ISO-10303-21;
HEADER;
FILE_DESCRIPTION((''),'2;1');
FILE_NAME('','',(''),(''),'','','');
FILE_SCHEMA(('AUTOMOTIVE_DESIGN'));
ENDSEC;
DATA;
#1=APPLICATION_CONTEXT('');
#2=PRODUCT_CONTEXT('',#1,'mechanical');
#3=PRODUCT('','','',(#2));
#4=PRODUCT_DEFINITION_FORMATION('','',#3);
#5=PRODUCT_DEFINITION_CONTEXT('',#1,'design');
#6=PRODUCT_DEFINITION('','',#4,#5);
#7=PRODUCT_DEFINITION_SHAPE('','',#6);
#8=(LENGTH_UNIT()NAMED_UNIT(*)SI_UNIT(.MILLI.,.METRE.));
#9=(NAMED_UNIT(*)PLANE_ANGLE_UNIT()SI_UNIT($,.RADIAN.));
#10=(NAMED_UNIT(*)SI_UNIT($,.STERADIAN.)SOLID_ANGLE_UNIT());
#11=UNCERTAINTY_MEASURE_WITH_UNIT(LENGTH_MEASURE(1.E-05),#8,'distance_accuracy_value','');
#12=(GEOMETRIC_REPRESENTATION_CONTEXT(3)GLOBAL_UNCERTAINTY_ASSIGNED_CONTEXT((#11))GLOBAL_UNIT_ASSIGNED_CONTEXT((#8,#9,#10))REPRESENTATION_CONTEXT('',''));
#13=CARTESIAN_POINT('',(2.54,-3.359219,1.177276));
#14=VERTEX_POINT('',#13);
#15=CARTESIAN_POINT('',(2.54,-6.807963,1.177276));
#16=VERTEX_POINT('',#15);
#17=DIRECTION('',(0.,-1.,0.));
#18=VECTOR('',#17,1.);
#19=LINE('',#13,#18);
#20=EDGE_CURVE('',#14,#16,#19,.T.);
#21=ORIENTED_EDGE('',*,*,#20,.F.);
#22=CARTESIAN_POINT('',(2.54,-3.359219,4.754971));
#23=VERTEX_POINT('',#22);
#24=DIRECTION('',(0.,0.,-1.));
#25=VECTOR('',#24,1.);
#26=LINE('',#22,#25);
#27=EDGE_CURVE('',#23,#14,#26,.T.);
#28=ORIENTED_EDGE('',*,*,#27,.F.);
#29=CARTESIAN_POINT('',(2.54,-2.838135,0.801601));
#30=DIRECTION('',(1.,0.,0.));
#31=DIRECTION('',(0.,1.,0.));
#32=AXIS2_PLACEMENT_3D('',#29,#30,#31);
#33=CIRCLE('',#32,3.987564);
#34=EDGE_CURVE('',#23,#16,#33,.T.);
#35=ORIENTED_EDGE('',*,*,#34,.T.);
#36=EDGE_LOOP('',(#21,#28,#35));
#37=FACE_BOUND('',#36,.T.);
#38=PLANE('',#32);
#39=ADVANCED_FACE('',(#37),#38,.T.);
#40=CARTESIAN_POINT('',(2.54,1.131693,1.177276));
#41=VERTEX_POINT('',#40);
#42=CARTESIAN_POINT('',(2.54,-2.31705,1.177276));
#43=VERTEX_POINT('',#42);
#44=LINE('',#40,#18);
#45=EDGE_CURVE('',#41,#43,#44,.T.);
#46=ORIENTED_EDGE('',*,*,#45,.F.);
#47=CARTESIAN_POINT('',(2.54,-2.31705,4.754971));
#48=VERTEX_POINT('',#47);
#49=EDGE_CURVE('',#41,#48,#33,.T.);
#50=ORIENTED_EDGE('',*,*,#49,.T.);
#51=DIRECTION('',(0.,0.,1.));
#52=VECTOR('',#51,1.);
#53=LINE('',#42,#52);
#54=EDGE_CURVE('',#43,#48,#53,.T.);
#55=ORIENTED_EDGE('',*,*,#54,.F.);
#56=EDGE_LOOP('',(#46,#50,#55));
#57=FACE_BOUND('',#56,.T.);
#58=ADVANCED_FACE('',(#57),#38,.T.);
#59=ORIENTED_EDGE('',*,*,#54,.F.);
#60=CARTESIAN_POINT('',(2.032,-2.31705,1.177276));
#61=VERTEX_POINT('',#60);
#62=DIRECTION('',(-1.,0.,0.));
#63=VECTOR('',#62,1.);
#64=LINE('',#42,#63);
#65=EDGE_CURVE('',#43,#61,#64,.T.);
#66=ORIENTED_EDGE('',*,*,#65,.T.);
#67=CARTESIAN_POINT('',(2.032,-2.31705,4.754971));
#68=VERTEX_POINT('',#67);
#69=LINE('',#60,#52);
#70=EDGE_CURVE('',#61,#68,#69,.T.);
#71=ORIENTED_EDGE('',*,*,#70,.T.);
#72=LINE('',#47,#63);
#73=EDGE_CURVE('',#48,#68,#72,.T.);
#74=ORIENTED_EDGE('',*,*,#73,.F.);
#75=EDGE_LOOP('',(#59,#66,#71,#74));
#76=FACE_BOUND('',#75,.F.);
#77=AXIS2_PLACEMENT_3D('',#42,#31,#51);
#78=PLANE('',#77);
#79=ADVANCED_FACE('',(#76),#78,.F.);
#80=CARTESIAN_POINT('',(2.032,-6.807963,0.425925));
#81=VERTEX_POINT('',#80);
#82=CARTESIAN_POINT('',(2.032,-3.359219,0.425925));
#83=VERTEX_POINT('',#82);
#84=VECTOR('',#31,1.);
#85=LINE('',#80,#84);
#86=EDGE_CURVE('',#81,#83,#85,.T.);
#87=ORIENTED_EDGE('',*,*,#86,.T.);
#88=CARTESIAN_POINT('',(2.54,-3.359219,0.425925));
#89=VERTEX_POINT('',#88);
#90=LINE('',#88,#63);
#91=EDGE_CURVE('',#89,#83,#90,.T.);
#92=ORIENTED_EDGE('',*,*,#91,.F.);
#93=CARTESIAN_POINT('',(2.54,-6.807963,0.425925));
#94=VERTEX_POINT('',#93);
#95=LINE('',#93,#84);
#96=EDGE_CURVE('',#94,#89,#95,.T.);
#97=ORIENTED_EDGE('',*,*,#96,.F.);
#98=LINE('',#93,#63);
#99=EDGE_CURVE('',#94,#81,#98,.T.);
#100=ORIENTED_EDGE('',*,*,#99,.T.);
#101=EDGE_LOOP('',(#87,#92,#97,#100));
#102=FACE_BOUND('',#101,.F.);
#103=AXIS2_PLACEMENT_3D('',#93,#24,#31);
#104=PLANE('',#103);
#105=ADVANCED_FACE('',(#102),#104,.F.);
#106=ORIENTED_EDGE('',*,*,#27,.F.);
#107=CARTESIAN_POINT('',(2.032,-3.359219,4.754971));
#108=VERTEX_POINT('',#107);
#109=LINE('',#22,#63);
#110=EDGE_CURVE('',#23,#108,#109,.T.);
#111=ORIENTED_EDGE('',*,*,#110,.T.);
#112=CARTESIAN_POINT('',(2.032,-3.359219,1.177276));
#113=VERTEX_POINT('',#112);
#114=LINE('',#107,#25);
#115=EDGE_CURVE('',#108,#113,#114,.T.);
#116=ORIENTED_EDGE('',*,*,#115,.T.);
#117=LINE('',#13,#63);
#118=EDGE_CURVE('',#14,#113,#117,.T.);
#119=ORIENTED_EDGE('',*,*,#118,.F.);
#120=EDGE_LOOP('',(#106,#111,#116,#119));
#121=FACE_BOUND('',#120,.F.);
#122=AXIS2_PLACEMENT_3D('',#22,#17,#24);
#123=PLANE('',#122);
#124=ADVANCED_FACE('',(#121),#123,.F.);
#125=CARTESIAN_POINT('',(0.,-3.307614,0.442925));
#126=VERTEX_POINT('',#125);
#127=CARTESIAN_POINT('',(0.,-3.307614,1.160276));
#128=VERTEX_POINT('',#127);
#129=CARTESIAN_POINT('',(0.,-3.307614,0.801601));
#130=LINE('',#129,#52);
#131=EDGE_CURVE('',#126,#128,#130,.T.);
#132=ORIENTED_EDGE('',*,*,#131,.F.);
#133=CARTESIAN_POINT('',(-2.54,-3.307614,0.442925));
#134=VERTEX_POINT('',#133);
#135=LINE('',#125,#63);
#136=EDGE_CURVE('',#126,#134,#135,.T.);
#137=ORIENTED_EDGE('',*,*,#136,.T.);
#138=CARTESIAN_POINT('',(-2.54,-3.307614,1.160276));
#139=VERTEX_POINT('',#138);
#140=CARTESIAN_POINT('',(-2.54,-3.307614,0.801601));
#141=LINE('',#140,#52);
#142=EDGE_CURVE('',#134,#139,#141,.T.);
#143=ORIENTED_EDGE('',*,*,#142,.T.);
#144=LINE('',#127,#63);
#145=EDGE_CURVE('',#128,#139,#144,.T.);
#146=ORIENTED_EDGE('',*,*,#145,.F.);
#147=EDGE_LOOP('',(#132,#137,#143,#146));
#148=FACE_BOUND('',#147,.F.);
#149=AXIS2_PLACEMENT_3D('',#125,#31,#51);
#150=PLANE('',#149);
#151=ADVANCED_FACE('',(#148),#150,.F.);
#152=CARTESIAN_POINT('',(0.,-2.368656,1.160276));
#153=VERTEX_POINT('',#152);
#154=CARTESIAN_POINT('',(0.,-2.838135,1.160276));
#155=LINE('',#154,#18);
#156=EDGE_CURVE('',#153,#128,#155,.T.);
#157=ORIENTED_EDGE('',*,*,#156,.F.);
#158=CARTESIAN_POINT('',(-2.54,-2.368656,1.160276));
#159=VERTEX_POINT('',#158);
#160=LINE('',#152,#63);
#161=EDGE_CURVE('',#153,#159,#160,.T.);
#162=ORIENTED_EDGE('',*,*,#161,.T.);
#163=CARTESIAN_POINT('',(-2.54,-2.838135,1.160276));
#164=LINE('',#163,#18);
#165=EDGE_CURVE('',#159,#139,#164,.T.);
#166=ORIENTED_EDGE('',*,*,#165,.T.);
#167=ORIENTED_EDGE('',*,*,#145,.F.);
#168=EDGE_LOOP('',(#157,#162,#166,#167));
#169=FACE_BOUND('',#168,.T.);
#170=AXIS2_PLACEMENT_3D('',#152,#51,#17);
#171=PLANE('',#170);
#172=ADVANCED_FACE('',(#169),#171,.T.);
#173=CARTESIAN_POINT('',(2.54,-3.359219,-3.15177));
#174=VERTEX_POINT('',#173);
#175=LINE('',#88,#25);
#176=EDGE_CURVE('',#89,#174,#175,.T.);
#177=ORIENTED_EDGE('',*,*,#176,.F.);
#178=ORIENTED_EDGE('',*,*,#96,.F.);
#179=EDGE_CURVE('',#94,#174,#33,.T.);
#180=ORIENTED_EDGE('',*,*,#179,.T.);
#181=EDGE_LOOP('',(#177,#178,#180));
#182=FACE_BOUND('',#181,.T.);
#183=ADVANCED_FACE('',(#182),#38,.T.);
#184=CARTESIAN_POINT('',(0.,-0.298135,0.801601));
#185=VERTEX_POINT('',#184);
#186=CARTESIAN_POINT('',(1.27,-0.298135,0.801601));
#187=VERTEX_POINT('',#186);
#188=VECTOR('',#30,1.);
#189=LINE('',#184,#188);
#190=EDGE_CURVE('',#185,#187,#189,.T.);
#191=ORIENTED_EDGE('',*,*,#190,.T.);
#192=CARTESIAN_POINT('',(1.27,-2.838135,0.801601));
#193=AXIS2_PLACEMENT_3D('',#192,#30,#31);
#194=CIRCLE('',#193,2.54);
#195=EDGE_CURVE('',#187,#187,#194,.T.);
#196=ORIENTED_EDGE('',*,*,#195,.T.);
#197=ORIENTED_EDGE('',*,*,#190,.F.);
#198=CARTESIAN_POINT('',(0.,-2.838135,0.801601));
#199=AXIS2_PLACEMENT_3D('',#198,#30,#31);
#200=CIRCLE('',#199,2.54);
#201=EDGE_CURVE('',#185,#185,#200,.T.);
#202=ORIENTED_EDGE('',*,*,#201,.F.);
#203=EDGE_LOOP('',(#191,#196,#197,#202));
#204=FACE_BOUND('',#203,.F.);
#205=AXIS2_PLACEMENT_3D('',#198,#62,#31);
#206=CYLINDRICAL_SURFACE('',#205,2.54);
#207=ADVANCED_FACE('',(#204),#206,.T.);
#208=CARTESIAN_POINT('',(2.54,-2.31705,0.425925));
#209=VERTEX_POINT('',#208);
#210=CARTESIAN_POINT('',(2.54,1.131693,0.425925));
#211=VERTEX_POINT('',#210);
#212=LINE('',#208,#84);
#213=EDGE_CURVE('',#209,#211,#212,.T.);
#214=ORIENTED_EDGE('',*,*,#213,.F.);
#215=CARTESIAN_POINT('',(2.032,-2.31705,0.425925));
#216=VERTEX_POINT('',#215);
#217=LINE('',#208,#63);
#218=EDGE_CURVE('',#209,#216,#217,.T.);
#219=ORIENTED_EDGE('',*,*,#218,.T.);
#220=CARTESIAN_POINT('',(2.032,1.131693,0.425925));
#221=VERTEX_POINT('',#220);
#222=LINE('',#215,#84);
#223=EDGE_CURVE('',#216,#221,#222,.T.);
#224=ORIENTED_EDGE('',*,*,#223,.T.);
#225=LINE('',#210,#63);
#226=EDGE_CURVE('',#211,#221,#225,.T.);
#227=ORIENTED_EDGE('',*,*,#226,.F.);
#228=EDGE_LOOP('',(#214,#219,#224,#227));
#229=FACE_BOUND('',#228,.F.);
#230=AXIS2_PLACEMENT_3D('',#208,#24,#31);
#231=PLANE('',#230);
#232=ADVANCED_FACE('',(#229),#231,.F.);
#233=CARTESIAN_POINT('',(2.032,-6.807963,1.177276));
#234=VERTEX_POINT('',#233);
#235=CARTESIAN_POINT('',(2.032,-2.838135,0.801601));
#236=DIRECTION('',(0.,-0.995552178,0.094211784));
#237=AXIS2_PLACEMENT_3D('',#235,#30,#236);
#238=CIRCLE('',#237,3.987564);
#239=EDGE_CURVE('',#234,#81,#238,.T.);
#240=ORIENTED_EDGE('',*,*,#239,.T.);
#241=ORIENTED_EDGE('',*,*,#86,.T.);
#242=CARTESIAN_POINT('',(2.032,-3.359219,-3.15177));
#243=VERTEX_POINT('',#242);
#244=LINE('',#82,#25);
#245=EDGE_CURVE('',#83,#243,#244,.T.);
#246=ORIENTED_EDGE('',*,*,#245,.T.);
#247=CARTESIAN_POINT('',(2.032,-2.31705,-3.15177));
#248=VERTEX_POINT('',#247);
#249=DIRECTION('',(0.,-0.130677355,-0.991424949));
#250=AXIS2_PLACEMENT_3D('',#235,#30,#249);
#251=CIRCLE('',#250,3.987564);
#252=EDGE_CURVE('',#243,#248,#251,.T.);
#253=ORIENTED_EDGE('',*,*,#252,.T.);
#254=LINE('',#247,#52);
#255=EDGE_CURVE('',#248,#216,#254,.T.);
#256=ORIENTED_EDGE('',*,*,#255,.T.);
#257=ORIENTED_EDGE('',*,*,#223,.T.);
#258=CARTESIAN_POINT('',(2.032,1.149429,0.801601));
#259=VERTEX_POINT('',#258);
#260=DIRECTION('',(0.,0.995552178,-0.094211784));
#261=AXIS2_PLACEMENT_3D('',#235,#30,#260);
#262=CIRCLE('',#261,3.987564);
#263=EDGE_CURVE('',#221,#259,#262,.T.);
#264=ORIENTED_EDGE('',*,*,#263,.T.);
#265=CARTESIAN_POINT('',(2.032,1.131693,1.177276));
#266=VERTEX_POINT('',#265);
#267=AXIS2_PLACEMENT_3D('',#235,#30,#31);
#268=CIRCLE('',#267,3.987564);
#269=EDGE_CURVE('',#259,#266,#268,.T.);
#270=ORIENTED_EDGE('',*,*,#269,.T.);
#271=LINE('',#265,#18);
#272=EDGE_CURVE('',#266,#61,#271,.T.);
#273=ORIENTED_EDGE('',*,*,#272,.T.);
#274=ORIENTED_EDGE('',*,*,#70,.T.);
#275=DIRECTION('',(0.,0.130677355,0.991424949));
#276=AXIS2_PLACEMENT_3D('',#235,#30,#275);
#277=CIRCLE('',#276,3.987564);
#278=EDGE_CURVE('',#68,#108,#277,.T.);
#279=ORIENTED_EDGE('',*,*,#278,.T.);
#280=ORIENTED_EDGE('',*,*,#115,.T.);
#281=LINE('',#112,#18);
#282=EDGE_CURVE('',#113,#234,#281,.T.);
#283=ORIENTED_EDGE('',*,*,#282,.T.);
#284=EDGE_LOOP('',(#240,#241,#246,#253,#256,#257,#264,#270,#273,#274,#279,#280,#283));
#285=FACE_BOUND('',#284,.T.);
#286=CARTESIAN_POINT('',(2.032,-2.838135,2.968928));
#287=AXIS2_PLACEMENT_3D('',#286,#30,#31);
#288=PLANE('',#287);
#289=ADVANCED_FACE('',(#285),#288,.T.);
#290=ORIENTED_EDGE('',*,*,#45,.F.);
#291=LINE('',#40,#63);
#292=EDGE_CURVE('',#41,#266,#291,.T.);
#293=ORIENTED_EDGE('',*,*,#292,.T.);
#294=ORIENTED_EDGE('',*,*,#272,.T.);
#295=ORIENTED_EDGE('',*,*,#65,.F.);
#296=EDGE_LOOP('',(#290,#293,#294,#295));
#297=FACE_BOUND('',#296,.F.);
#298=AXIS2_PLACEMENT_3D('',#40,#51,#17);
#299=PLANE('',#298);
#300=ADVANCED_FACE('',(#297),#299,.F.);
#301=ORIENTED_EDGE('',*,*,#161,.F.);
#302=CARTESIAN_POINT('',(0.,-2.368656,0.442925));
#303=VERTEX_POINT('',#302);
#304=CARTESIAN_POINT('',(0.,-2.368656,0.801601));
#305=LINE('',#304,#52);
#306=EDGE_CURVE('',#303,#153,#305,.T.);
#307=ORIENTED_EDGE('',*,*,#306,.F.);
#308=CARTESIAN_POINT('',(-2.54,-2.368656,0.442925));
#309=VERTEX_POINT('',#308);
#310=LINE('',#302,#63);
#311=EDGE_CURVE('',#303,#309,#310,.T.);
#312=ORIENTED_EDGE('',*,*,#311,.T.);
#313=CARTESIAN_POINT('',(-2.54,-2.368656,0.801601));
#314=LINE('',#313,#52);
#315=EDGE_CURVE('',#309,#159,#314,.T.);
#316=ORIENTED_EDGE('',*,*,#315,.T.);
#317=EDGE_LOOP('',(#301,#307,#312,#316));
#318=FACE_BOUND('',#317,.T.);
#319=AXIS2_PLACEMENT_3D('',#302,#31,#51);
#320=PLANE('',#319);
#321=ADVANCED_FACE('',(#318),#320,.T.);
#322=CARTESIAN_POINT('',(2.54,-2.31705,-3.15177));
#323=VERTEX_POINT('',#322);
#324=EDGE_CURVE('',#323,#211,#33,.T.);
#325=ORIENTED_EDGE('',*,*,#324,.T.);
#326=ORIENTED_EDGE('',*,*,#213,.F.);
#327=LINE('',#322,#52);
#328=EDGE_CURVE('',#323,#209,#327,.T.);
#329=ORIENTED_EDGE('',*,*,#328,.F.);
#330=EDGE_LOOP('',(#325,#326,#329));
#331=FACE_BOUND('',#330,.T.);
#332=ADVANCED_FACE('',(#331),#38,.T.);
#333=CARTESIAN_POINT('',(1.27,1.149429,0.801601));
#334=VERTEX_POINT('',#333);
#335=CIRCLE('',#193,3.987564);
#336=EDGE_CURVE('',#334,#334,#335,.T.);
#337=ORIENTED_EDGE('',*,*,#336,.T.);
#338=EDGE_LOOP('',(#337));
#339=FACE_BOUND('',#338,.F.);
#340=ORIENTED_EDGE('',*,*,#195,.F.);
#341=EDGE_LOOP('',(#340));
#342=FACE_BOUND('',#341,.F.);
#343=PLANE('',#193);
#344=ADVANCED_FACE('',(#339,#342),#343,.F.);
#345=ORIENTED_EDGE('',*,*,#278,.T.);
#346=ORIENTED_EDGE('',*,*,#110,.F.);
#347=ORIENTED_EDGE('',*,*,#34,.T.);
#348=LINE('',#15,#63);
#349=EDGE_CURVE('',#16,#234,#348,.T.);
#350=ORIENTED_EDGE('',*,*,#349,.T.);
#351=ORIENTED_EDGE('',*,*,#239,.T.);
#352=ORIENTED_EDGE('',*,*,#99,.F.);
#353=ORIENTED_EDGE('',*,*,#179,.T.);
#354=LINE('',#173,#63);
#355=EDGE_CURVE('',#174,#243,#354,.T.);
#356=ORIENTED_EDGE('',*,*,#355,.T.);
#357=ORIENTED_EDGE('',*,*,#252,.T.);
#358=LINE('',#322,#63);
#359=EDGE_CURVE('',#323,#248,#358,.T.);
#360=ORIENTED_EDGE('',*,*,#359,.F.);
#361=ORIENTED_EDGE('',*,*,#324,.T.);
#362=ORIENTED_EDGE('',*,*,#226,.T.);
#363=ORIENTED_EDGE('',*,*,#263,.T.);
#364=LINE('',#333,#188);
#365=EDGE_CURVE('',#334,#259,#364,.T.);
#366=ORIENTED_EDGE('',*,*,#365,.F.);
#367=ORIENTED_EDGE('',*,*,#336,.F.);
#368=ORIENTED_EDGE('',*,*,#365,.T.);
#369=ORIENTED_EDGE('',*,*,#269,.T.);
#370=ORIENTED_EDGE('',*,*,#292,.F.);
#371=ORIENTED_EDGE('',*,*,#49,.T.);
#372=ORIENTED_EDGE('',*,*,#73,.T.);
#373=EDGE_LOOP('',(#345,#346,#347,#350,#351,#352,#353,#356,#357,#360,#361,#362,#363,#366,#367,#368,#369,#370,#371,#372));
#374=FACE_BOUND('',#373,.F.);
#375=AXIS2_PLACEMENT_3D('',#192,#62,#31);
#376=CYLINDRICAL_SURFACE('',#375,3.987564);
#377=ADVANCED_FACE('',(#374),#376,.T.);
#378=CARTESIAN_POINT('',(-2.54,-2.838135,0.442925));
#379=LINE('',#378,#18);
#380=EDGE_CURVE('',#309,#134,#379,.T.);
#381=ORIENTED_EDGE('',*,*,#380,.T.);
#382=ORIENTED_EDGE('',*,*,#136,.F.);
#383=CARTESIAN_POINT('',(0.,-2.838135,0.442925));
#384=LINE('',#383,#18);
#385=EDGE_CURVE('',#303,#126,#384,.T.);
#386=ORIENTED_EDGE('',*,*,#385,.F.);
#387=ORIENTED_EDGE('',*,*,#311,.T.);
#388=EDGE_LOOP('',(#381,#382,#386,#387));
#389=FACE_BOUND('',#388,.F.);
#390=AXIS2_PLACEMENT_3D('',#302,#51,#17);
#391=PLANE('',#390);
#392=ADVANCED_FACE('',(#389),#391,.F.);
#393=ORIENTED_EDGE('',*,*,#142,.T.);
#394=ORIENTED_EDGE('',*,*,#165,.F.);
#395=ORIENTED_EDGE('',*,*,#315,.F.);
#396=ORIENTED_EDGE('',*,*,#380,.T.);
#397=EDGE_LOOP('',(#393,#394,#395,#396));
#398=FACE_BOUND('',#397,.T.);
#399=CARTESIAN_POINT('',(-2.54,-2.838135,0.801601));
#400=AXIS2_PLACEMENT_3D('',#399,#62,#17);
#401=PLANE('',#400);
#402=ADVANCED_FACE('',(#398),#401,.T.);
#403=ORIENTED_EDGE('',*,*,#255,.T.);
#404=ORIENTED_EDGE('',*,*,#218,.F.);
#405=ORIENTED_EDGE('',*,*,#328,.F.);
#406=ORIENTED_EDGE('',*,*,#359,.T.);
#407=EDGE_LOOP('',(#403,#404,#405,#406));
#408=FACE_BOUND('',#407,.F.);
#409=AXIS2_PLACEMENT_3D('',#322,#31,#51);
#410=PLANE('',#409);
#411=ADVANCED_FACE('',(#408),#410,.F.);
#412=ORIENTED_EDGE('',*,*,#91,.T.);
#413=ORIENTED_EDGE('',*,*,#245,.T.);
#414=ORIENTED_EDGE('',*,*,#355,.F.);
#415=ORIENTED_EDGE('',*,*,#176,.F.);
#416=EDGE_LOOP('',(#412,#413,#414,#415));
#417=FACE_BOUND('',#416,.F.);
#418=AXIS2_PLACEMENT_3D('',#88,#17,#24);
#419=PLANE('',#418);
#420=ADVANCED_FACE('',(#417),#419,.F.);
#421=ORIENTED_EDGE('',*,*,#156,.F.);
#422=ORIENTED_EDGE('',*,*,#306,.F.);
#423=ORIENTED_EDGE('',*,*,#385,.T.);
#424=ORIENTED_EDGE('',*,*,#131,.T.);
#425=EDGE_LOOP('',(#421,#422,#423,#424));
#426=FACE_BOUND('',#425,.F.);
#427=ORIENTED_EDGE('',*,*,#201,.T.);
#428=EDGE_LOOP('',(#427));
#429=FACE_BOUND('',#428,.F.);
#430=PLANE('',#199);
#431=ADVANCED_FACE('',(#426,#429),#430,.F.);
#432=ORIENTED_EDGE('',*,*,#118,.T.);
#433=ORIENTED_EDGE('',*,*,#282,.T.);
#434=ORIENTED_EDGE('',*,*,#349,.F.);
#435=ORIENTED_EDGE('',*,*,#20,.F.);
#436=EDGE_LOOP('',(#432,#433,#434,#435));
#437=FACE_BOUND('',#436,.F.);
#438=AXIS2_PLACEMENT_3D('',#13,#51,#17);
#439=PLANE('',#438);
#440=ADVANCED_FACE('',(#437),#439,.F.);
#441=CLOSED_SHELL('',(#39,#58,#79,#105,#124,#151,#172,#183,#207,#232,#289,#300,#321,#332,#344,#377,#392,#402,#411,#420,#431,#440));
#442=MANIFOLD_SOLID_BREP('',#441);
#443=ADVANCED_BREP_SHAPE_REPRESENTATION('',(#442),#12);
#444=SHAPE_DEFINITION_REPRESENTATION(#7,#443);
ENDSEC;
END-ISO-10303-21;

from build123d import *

# Parameters (mm, degrees)
F0_R     = 2.54
F1_DEPTH = 1.27
F2_R     = 3.9875638358
F3_DEPTH = 1.27
F4_W     = 0.9389580227
F4_H     = 0.7173512131
F5_DEPTH = 2.54
F6_W     = 1.0421685874
F6_H     = 0.7513510063
F7_DEPTH = 0.508


with BuildPart() as f1:
    # F0 (on Right) → F1 (new body)
    with BuildSketch(Plane.YZ):
        with Locations((-2.8381347656, 0.8016005158)):
            Circle(F0_R)
    extrude(amount=F1_DEPTH)

    # F2 (on face) → F3 (join)
    with BuildSketch(Plane.YZ.offset(1.27)):
        with Locations((-2.8381347656, 0.8016005158)):
            Circle(F2_R)
    extrude(amount=F3_DEPTH)

    # F4 (on face) → F5 (join)
    with BuildSketch(Plane(origin=(0, 0, 0), x_dir=(0, -1, 0), z_dir=(-1, 0, 0))):
        with Locations((2.8381347656, 0.8016005158)):
            Rectangle(F4_W, F4_H)
    extrude(amount=F5_DEPTH)

    # F6 (on face) → F7 (cut)
    with BuildSketch(Plane.YZ.offset(2.54)):
        with BuildLine():
            Line((-3.3592190593, 1.177276019), (-2.3170504719, 1.177276019))
            Line((-2.3170504719, 1.177276019), (-2.3170504719, 4.7549707873))
            ThreePointArc((-2.3170504719, 4.7549707873), (-2.8381347656, 4.7891643516), (-3.3592190593, 4.7549707873))
            Line((-3.3592190593, 4.7549707873), (-3.3592190593, 1.177276019))
        make_face()
        with BuildLine():
            Line((-2.3170504719, 1.177276019), (-2.3170504719, 0.4259250127))
            Line((-2.3170504719, 0.4259250127), (1.1316930972, 0.4259250127))
            ThreePointArc((1.1316930972, 0.4259250127), (1.1449926089, 0.613553548), (1.1494290701, 0.8016005158))
            ThreePointArc((1.1494290701, 0.8016005158), (1.1449926089, 0.9896474837), (1.1316930972, 1.177276019))
            Line((1.1316930972, 1.177276019), (-2.3170504719, 1.177276019))
        make_face()
        with BuildLine():
            ThreePointArc((-3.3592190593, -3.1517697556), (-2.8381347656, -3.1859633199), (-2.3170504719, -3.1517697556))
            Line((-2.3170504719, -3.1517697556), (-2.3170504719, 0.4259250127))
            Line((-2.3170504719, 0.4259250127), (-3.3592190593, 0.4259250127))
            Line((-3.3592190593, 0.4259250127), (-3.3592190593, -3.1517697556))
        make_face()
        with BuildLine():
            Line((-6.8079626285, 0.4259250127), (-3.3592190593, 0.4259250127))
            Line((-3.3592190593, 0.4259250127), (-3.3592190593, 1.177276019))
            Line((-3.3592190593, 1.177276019), (-6.8079626285, 1.177276019))
            ThreePointArc((-6.8079626285, 1.177276019), (-6.8256986014, 0.8016005158), (-6.8079626285, 0.4259250127))
        make_face()
        with Locations((-2.8381347656, 0.8016005158)):
            Rectangle(F6_W, F6_H)
    extrude(amount=-F7_DEPTH, mode=Mode.SUBTRACT)


solid = f1.part
